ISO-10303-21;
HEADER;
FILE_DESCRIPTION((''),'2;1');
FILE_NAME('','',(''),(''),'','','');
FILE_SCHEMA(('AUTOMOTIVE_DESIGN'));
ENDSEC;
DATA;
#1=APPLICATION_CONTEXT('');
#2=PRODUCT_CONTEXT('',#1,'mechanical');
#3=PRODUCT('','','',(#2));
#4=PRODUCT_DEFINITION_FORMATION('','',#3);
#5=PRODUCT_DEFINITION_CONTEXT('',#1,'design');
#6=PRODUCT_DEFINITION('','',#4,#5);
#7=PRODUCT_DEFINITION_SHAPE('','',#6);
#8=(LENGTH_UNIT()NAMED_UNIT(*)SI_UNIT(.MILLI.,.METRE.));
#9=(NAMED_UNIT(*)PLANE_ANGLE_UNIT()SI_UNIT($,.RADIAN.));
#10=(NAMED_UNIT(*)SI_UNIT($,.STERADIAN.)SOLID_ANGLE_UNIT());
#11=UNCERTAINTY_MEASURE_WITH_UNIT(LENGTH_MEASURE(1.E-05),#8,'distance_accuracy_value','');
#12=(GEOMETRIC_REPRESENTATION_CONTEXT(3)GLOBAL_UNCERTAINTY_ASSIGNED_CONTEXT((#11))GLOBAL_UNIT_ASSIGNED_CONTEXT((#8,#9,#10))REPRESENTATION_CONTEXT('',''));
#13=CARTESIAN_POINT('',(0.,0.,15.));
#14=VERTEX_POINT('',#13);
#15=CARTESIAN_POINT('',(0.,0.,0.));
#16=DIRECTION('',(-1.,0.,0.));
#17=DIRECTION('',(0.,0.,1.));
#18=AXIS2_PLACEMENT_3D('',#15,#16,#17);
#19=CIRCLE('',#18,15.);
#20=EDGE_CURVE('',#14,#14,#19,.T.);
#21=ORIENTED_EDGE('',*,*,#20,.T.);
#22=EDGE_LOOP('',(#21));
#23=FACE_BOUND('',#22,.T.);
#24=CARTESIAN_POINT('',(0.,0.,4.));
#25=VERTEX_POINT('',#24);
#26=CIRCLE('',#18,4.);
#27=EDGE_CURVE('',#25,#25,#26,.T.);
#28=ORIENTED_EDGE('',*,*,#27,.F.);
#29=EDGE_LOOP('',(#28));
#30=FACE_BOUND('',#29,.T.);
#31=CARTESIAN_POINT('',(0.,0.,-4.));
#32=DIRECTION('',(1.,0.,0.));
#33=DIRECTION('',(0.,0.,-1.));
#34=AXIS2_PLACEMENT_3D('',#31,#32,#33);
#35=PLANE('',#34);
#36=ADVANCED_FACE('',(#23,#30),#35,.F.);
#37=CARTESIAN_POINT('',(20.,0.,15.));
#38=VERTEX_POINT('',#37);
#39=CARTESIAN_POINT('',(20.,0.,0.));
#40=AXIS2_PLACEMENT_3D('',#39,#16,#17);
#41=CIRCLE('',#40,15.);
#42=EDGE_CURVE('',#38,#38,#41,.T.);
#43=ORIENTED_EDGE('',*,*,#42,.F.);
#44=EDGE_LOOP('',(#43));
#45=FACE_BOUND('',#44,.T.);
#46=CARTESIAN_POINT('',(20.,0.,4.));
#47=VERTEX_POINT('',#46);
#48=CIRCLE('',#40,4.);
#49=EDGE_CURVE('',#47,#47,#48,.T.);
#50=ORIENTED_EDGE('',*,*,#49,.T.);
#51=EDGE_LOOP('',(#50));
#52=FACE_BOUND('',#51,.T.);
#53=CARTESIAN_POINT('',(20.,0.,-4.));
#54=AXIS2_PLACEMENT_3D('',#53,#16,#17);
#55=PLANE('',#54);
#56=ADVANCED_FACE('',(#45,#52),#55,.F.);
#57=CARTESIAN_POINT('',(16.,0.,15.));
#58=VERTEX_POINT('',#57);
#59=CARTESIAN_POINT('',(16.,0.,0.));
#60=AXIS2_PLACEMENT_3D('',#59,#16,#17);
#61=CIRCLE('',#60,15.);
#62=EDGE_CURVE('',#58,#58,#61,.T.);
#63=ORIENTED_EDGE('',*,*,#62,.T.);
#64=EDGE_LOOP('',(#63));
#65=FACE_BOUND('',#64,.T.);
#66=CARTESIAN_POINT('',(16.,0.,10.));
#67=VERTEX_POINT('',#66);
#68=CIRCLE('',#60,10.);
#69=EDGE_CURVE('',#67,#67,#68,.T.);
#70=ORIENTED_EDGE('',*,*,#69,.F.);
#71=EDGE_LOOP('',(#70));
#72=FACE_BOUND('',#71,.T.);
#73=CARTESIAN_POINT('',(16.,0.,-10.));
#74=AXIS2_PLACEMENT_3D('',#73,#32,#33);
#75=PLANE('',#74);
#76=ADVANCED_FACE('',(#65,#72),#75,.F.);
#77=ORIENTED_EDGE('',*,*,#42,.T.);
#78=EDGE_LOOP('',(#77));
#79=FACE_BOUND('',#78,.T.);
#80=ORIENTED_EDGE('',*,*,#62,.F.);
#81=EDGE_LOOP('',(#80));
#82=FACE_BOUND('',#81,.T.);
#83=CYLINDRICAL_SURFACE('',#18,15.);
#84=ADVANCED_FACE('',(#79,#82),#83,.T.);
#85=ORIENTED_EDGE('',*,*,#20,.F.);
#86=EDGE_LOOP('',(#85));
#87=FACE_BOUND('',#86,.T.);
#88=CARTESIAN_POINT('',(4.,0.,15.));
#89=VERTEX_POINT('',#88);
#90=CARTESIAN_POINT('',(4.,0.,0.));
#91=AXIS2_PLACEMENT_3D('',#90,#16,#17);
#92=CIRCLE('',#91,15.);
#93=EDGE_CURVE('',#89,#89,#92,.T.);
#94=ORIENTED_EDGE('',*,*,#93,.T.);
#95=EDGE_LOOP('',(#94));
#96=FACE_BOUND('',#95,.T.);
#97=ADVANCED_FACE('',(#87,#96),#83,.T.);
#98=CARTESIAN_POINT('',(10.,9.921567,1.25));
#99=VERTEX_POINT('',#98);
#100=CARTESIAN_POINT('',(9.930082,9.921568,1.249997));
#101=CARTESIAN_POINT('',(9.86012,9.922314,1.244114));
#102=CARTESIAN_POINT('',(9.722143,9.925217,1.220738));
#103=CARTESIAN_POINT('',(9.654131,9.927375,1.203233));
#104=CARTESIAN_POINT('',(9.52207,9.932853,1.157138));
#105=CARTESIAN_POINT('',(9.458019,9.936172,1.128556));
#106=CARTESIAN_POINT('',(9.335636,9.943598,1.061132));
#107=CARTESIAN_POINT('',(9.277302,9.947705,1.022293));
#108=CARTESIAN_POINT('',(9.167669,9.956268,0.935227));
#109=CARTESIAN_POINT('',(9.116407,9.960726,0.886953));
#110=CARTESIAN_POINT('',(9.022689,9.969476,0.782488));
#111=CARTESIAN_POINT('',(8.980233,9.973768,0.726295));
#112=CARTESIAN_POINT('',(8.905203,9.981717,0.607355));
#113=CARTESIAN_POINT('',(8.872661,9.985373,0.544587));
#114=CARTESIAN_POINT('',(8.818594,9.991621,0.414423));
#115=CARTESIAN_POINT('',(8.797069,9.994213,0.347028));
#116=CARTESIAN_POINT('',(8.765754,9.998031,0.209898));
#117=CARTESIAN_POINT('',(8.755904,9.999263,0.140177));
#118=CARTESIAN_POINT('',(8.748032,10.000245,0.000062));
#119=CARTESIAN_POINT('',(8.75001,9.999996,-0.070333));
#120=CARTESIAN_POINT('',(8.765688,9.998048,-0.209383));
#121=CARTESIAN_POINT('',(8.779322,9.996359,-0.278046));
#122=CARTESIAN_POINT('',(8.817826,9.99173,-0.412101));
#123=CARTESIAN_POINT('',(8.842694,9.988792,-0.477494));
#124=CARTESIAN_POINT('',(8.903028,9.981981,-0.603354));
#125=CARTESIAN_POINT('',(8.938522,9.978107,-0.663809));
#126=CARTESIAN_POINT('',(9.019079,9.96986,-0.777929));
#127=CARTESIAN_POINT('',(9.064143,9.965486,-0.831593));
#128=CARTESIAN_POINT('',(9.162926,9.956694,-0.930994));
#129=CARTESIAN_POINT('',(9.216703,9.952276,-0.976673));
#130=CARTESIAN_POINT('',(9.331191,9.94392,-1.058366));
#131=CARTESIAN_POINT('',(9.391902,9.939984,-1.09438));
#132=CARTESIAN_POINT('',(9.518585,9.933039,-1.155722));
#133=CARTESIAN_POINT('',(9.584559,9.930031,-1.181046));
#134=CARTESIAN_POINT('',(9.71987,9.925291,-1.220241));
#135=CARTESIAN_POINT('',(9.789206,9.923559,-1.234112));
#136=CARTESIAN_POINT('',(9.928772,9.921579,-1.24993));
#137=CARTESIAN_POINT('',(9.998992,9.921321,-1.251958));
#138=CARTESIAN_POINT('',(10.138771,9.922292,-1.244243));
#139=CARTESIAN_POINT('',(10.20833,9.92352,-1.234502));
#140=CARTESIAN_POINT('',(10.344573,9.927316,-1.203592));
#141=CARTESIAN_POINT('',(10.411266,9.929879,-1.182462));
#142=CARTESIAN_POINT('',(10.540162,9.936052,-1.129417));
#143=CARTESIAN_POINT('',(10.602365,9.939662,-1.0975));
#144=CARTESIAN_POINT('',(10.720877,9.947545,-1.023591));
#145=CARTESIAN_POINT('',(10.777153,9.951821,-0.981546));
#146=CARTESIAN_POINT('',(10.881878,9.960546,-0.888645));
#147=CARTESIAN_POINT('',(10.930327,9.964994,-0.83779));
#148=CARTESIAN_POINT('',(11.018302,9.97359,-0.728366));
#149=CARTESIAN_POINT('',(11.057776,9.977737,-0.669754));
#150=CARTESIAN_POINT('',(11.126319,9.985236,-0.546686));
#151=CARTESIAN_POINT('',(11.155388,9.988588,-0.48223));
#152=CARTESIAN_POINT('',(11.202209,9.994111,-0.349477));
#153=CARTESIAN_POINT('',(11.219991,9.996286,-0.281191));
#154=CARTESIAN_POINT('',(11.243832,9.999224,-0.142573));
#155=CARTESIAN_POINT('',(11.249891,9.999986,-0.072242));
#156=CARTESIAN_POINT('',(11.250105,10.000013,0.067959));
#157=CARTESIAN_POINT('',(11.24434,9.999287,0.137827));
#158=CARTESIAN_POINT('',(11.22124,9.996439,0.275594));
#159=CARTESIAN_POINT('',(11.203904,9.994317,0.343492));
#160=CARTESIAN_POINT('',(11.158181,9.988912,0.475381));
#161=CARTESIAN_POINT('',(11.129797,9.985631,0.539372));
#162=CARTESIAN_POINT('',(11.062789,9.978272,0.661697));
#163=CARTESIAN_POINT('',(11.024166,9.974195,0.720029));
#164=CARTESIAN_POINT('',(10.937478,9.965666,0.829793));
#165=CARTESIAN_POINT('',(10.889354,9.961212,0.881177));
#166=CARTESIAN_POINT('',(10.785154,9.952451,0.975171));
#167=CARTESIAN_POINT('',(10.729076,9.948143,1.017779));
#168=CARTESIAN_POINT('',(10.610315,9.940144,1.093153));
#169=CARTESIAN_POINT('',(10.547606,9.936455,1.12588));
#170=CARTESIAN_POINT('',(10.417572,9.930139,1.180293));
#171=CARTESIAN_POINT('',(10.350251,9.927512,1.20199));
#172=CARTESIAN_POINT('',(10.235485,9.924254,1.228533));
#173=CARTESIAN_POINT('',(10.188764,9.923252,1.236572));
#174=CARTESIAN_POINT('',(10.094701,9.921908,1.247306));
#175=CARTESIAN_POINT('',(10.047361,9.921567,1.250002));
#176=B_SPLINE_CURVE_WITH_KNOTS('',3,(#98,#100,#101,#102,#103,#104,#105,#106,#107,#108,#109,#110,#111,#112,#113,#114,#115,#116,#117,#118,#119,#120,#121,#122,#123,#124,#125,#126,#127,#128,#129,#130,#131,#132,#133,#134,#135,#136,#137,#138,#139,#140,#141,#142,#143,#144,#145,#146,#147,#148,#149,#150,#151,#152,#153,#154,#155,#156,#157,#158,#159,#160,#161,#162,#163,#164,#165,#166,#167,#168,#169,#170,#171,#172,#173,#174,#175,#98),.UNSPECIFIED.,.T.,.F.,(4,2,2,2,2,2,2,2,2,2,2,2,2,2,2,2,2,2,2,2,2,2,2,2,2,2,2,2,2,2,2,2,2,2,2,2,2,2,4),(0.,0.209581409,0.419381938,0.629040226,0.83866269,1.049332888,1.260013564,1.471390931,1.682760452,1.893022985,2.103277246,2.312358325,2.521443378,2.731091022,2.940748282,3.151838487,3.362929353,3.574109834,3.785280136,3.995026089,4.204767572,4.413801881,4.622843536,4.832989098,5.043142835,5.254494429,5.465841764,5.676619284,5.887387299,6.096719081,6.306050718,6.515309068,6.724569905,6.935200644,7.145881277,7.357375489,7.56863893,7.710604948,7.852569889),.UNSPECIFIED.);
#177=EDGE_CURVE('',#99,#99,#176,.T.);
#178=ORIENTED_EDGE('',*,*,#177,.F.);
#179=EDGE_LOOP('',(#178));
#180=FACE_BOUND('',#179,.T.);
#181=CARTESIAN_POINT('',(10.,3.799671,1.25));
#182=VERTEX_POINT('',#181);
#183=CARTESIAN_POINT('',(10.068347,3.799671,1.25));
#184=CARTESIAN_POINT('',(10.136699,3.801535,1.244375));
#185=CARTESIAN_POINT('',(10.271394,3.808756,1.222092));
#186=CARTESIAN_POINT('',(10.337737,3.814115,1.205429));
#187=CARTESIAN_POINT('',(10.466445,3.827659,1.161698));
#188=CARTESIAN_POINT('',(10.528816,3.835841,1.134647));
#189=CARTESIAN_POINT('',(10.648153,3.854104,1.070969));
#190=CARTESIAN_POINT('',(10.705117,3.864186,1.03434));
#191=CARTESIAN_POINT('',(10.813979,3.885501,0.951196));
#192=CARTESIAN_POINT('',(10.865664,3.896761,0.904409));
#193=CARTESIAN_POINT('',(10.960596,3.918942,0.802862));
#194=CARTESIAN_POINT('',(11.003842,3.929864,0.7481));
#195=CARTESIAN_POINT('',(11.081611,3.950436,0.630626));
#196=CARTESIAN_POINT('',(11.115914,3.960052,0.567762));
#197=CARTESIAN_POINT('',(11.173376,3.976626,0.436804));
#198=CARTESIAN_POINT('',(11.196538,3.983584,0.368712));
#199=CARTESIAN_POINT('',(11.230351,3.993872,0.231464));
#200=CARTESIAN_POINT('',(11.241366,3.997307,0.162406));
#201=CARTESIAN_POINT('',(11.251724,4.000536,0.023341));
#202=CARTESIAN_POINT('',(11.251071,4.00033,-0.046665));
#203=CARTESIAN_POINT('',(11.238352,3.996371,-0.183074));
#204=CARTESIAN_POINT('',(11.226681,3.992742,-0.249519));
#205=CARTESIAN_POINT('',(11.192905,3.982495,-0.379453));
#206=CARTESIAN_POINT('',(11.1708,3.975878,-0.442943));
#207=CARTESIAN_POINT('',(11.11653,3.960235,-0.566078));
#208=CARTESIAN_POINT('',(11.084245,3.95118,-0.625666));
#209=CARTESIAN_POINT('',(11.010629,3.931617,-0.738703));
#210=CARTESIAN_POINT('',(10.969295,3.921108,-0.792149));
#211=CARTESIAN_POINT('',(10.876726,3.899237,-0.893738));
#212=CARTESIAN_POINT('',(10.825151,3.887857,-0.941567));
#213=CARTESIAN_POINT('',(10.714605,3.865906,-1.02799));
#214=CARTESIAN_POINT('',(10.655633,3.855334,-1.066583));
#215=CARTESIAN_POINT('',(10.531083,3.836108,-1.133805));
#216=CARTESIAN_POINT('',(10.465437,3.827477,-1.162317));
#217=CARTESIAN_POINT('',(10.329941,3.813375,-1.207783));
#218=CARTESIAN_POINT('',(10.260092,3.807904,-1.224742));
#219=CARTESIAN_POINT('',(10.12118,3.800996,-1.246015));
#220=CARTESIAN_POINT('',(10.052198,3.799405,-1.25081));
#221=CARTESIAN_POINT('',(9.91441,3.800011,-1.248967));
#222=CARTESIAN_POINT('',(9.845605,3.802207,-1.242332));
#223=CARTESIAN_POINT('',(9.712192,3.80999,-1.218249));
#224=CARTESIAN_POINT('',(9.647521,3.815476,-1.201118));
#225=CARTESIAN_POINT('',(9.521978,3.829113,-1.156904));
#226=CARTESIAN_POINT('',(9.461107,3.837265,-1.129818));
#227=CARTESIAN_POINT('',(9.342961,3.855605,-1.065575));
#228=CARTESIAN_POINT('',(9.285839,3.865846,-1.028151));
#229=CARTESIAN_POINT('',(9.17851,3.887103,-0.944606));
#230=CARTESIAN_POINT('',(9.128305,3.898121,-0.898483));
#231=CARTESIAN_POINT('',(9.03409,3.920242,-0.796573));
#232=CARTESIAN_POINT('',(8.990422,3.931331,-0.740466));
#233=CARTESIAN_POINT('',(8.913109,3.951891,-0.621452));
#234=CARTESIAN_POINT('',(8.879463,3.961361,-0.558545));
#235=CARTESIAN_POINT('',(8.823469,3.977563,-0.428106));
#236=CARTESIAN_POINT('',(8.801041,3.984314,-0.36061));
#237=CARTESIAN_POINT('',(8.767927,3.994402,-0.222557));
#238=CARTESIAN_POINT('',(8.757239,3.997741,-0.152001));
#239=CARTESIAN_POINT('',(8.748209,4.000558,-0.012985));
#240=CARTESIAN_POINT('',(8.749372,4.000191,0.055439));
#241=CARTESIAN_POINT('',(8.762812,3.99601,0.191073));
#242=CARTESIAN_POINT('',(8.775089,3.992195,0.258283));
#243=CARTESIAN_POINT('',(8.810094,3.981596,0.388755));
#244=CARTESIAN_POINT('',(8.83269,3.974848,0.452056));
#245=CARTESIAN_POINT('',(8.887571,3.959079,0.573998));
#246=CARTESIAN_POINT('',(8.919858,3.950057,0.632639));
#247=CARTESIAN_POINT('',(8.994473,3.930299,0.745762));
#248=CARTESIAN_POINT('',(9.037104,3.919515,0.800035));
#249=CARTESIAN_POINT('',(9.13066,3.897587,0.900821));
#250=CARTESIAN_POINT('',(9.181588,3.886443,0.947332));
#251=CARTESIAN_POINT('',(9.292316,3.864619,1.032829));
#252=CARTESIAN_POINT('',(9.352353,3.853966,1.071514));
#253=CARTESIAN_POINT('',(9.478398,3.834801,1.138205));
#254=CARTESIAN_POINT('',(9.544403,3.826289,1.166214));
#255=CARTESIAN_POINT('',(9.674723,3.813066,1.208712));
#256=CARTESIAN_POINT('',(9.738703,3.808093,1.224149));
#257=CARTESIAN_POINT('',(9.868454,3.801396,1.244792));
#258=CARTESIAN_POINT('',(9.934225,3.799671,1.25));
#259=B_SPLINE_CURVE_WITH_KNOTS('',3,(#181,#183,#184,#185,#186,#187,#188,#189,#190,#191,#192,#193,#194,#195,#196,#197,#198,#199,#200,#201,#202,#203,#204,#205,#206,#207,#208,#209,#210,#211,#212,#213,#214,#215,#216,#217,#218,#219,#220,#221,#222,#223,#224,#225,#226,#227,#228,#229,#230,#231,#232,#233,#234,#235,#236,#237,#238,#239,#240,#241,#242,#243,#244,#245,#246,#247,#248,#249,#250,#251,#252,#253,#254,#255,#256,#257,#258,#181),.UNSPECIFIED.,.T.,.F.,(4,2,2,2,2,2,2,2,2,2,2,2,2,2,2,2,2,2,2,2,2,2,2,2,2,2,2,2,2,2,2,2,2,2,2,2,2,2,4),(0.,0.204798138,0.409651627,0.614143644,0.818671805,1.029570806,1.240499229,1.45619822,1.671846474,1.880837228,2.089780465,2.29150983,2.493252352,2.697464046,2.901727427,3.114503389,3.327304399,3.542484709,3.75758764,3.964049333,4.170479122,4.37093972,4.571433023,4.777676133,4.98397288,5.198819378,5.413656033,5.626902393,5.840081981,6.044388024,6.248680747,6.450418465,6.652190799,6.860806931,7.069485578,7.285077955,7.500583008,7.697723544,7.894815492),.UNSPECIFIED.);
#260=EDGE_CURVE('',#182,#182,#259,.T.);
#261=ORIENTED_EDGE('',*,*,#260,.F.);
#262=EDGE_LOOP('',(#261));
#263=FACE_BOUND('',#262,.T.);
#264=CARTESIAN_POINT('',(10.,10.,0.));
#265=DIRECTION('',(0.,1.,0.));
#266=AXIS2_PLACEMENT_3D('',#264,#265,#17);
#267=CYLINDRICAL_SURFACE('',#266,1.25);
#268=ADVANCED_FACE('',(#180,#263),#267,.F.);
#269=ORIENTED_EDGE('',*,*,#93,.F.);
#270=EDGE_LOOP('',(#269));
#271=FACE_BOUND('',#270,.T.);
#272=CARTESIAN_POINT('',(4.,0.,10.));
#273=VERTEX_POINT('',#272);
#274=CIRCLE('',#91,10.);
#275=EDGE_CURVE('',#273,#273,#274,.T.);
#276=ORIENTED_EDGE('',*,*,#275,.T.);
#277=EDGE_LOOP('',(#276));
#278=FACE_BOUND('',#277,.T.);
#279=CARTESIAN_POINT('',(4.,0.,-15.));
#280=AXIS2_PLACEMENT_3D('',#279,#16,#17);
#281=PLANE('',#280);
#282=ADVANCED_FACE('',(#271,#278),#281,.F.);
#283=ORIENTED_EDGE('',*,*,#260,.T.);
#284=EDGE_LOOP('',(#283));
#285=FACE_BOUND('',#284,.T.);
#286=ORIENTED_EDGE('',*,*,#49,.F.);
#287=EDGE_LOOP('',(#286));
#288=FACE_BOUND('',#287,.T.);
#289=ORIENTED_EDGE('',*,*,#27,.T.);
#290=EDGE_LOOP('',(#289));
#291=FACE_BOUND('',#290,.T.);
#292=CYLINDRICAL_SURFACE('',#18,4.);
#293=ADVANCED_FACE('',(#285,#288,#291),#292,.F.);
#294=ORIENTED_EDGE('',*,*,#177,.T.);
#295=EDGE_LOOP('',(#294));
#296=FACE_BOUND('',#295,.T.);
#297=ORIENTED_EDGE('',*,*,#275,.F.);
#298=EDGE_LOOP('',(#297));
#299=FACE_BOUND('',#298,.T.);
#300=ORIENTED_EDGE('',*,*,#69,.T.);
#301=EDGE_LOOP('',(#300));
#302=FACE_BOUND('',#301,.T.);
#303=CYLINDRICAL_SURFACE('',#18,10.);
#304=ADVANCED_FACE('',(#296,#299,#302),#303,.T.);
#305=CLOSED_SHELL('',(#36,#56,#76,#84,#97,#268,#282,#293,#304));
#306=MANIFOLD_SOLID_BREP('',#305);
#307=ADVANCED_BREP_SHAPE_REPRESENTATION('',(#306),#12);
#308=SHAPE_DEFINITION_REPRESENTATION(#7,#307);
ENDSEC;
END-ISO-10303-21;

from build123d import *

# Parameters (mm, degrees)
M3_TAPPED_HOLE1_REACH  = 32.822
M3_TAPPED_HOLE1_BORE_R = 1.25


with BuildPart() as part:
    # Sketch1 → Revolve1 (revolve)
    with BuildSketch(Plane(origin=(0, 0, 0), x_dir=(1, 0, 0), z_dir=(0, 1, 0)), mode=Mode.PRIVATE) as revolve1_sk:
        Polygon((0, 4), (20, 4), (20, 15), (16, 15), (16, 10), (4, 10), (4, 15), (0, 15), align=None)
    revolve(revolve1_sk.sketch.rotate(Axis((0, 0, 0), (1, 0, 0)), 180), axis=Axis((0, 0, 0), (1, 0, 0)))

    # M3 Tapped Hole1 bore (on position points) → M3 Tapped Hole1 (cut, up to next)
    with BuildSketch(Plane(origin=(10, 10, 0), x_dir=(0, 0, 1), z_dir=(0, 1, 0)), mode=Mode.PRIVATE) as m3_tapped_hole1_sk1:
        Circle(M3_TAPPED_HOLE1_BORE_R)
    m3_tapped_hole1_tool1 = extrude(m3_tapped_hole1_sk1.sketch, amount=-M3_TAPPED_HOLE1_REACH, mode=Mode.PRIVATE) & part.part
    add(m3_tapped_hole1_tool1.solids().sort_by_distance((10, 10, 0))[0], mode=Mode.SUBTRACT)


solid = part.part
